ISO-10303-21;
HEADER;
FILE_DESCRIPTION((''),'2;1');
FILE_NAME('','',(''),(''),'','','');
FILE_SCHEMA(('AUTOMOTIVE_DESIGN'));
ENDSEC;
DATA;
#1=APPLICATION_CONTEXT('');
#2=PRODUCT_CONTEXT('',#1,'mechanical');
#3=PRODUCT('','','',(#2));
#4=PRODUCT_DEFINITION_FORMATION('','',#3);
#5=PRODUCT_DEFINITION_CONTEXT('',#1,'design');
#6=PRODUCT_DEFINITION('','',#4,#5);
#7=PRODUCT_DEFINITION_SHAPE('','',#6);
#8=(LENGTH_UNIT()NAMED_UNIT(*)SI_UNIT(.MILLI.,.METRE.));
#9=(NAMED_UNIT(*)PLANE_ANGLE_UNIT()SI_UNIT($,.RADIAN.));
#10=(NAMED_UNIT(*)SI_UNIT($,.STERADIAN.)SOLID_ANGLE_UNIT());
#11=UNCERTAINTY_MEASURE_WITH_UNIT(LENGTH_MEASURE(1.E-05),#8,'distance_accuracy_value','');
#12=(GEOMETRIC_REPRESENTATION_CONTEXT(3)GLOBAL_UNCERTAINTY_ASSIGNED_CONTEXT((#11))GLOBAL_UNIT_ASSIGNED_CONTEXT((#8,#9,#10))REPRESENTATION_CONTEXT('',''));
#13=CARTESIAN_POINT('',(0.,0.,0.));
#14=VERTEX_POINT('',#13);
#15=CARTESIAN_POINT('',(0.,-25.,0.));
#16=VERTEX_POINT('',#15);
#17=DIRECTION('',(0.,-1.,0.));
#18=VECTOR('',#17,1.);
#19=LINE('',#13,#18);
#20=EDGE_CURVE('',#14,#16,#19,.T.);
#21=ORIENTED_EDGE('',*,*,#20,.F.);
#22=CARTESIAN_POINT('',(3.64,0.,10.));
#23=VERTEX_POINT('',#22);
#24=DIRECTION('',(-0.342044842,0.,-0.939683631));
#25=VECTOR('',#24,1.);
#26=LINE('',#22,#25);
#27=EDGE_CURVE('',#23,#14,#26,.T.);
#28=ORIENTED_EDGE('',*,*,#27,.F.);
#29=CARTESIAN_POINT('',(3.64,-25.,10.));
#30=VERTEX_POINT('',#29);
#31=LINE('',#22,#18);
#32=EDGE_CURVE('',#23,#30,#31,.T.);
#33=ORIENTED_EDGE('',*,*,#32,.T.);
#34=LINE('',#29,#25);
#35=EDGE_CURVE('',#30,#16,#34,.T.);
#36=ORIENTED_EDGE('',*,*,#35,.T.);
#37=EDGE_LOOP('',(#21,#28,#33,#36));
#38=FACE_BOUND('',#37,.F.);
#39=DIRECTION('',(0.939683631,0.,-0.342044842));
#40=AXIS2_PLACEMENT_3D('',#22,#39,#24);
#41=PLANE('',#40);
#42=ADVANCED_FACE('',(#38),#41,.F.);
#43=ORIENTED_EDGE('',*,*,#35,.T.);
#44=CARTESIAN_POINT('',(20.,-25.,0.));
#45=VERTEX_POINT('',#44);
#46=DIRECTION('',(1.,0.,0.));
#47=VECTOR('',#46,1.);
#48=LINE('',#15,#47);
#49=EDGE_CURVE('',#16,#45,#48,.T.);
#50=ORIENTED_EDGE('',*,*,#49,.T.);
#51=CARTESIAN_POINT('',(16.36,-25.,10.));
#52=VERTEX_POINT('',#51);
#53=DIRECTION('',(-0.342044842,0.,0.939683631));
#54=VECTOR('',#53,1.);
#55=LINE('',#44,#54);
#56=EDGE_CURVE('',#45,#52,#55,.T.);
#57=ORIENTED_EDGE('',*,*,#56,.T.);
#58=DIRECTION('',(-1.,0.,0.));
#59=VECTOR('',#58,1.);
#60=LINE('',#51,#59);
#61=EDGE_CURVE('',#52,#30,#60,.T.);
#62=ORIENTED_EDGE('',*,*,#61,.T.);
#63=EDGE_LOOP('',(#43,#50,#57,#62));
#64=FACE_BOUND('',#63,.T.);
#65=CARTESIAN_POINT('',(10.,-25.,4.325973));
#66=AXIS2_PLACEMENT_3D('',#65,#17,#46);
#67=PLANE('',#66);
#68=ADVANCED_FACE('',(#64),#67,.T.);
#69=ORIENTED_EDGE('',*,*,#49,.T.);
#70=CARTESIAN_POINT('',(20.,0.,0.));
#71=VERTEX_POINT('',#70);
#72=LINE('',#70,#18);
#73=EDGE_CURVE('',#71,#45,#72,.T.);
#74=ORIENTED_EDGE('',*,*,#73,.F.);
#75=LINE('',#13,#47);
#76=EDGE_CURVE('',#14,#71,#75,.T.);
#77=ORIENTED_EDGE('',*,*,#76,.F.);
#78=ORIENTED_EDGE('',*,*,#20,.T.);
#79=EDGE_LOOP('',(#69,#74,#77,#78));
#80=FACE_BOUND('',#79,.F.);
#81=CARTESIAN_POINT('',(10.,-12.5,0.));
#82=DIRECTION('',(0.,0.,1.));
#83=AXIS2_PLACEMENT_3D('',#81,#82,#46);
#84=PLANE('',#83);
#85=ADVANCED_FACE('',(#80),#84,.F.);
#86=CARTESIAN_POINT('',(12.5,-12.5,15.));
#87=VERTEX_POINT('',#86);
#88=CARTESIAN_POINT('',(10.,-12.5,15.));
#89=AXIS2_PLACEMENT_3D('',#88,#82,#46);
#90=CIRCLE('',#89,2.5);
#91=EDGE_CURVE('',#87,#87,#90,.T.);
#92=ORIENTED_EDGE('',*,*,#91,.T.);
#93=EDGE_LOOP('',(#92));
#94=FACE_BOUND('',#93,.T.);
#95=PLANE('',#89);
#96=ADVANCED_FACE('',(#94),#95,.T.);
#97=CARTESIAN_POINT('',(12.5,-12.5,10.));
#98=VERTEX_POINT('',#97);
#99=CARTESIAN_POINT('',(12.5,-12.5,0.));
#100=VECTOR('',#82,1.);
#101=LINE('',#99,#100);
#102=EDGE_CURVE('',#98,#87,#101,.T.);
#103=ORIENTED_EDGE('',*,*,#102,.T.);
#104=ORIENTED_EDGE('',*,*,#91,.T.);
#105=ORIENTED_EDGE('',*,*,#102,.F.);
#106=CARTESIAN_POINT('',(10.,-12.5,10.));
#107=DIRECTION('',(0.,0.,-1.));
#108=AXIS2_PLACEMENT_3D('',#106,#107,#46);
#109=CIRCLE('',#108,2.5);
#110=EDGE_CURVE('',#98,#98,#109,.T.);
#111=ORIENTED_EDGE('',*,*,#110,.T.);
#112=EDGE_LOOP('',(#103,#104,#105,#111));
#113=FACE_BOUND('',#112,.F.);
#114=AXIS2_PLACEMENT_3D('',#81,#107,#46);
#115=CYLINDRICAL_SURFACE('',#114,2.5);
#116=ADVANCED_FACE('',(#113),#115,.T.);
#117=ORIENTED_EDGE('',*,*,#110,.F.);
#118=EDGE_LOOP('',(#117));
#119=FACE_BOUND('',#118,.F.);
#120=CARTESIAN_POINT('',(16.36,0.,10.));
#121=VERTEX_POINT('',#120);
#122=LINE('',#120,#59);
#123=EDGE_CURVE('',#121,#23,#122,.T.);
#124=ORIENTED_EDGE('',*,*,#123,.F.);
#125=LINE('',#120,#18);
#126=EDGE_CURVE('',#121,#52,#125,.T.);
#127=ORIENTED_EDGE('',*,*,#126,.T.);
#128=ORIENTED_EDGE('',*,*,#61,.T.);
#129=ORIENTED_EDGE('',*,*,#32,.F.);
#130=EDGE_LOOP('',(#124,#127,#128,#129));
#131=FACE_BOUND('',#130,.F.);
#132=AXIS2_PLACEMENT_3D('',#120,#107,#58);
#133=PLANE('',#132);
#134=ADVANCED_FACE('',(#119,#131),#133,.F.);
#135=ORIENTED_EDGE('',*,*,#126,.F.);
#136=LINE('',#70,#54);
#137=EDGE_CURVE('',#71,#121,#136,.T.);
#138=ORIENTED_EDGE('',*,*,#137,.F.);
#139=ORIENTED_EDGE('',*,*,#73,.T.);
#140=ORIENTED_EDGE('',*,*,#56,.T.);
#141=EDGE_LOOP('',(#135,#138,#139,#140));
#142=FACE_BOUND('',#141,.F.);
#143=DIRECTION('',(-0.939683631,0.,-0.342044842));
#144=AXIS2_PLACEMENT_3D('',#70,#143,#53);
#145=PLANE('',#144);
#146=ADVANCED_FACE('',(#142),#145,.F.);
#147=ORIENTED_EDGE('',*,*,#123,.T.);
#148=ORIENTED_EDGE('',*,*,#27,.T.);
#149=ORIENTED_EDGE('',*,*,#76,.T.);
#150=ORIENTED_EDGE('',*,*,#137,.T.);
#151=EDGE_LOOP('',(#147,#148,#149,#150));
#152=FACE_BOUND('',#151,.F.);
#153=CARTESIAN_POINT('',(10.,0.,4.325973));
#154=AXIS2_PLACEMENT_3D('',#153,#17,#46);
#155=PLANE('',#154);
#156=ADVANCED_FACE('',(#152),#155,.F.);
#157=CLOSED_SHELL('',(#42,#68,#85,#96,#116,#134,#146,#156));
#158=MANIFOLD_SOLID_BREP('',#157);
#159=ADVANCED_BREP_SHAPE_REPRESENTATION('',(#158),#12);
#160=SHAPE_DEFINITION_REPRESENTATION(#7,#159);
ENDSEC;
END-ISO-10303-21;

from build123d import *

# Parameters (mm, degrees)
F1_DEPTH = 25
F2_R     = 2.5
F3_DEPTH = 15


with BuildPart() as f1:
    # F0 (on Front) → F1 (new body)
    with BuildSketch(Plane.XZ):
        Polygon((3.64, 10), (0, 0), (20, 0), (16.36, 10), (10, 10), align=None)
    extrude(amount=F1_DEPTH)

    # F2 (on Top) → F3 (join)
    with BuildSketch(Plane.XY):
        with Locations((10, -12.5)):
            Circle(F2_R)
    extrude(amount=F3_DEPTH)


solid = f1.part
